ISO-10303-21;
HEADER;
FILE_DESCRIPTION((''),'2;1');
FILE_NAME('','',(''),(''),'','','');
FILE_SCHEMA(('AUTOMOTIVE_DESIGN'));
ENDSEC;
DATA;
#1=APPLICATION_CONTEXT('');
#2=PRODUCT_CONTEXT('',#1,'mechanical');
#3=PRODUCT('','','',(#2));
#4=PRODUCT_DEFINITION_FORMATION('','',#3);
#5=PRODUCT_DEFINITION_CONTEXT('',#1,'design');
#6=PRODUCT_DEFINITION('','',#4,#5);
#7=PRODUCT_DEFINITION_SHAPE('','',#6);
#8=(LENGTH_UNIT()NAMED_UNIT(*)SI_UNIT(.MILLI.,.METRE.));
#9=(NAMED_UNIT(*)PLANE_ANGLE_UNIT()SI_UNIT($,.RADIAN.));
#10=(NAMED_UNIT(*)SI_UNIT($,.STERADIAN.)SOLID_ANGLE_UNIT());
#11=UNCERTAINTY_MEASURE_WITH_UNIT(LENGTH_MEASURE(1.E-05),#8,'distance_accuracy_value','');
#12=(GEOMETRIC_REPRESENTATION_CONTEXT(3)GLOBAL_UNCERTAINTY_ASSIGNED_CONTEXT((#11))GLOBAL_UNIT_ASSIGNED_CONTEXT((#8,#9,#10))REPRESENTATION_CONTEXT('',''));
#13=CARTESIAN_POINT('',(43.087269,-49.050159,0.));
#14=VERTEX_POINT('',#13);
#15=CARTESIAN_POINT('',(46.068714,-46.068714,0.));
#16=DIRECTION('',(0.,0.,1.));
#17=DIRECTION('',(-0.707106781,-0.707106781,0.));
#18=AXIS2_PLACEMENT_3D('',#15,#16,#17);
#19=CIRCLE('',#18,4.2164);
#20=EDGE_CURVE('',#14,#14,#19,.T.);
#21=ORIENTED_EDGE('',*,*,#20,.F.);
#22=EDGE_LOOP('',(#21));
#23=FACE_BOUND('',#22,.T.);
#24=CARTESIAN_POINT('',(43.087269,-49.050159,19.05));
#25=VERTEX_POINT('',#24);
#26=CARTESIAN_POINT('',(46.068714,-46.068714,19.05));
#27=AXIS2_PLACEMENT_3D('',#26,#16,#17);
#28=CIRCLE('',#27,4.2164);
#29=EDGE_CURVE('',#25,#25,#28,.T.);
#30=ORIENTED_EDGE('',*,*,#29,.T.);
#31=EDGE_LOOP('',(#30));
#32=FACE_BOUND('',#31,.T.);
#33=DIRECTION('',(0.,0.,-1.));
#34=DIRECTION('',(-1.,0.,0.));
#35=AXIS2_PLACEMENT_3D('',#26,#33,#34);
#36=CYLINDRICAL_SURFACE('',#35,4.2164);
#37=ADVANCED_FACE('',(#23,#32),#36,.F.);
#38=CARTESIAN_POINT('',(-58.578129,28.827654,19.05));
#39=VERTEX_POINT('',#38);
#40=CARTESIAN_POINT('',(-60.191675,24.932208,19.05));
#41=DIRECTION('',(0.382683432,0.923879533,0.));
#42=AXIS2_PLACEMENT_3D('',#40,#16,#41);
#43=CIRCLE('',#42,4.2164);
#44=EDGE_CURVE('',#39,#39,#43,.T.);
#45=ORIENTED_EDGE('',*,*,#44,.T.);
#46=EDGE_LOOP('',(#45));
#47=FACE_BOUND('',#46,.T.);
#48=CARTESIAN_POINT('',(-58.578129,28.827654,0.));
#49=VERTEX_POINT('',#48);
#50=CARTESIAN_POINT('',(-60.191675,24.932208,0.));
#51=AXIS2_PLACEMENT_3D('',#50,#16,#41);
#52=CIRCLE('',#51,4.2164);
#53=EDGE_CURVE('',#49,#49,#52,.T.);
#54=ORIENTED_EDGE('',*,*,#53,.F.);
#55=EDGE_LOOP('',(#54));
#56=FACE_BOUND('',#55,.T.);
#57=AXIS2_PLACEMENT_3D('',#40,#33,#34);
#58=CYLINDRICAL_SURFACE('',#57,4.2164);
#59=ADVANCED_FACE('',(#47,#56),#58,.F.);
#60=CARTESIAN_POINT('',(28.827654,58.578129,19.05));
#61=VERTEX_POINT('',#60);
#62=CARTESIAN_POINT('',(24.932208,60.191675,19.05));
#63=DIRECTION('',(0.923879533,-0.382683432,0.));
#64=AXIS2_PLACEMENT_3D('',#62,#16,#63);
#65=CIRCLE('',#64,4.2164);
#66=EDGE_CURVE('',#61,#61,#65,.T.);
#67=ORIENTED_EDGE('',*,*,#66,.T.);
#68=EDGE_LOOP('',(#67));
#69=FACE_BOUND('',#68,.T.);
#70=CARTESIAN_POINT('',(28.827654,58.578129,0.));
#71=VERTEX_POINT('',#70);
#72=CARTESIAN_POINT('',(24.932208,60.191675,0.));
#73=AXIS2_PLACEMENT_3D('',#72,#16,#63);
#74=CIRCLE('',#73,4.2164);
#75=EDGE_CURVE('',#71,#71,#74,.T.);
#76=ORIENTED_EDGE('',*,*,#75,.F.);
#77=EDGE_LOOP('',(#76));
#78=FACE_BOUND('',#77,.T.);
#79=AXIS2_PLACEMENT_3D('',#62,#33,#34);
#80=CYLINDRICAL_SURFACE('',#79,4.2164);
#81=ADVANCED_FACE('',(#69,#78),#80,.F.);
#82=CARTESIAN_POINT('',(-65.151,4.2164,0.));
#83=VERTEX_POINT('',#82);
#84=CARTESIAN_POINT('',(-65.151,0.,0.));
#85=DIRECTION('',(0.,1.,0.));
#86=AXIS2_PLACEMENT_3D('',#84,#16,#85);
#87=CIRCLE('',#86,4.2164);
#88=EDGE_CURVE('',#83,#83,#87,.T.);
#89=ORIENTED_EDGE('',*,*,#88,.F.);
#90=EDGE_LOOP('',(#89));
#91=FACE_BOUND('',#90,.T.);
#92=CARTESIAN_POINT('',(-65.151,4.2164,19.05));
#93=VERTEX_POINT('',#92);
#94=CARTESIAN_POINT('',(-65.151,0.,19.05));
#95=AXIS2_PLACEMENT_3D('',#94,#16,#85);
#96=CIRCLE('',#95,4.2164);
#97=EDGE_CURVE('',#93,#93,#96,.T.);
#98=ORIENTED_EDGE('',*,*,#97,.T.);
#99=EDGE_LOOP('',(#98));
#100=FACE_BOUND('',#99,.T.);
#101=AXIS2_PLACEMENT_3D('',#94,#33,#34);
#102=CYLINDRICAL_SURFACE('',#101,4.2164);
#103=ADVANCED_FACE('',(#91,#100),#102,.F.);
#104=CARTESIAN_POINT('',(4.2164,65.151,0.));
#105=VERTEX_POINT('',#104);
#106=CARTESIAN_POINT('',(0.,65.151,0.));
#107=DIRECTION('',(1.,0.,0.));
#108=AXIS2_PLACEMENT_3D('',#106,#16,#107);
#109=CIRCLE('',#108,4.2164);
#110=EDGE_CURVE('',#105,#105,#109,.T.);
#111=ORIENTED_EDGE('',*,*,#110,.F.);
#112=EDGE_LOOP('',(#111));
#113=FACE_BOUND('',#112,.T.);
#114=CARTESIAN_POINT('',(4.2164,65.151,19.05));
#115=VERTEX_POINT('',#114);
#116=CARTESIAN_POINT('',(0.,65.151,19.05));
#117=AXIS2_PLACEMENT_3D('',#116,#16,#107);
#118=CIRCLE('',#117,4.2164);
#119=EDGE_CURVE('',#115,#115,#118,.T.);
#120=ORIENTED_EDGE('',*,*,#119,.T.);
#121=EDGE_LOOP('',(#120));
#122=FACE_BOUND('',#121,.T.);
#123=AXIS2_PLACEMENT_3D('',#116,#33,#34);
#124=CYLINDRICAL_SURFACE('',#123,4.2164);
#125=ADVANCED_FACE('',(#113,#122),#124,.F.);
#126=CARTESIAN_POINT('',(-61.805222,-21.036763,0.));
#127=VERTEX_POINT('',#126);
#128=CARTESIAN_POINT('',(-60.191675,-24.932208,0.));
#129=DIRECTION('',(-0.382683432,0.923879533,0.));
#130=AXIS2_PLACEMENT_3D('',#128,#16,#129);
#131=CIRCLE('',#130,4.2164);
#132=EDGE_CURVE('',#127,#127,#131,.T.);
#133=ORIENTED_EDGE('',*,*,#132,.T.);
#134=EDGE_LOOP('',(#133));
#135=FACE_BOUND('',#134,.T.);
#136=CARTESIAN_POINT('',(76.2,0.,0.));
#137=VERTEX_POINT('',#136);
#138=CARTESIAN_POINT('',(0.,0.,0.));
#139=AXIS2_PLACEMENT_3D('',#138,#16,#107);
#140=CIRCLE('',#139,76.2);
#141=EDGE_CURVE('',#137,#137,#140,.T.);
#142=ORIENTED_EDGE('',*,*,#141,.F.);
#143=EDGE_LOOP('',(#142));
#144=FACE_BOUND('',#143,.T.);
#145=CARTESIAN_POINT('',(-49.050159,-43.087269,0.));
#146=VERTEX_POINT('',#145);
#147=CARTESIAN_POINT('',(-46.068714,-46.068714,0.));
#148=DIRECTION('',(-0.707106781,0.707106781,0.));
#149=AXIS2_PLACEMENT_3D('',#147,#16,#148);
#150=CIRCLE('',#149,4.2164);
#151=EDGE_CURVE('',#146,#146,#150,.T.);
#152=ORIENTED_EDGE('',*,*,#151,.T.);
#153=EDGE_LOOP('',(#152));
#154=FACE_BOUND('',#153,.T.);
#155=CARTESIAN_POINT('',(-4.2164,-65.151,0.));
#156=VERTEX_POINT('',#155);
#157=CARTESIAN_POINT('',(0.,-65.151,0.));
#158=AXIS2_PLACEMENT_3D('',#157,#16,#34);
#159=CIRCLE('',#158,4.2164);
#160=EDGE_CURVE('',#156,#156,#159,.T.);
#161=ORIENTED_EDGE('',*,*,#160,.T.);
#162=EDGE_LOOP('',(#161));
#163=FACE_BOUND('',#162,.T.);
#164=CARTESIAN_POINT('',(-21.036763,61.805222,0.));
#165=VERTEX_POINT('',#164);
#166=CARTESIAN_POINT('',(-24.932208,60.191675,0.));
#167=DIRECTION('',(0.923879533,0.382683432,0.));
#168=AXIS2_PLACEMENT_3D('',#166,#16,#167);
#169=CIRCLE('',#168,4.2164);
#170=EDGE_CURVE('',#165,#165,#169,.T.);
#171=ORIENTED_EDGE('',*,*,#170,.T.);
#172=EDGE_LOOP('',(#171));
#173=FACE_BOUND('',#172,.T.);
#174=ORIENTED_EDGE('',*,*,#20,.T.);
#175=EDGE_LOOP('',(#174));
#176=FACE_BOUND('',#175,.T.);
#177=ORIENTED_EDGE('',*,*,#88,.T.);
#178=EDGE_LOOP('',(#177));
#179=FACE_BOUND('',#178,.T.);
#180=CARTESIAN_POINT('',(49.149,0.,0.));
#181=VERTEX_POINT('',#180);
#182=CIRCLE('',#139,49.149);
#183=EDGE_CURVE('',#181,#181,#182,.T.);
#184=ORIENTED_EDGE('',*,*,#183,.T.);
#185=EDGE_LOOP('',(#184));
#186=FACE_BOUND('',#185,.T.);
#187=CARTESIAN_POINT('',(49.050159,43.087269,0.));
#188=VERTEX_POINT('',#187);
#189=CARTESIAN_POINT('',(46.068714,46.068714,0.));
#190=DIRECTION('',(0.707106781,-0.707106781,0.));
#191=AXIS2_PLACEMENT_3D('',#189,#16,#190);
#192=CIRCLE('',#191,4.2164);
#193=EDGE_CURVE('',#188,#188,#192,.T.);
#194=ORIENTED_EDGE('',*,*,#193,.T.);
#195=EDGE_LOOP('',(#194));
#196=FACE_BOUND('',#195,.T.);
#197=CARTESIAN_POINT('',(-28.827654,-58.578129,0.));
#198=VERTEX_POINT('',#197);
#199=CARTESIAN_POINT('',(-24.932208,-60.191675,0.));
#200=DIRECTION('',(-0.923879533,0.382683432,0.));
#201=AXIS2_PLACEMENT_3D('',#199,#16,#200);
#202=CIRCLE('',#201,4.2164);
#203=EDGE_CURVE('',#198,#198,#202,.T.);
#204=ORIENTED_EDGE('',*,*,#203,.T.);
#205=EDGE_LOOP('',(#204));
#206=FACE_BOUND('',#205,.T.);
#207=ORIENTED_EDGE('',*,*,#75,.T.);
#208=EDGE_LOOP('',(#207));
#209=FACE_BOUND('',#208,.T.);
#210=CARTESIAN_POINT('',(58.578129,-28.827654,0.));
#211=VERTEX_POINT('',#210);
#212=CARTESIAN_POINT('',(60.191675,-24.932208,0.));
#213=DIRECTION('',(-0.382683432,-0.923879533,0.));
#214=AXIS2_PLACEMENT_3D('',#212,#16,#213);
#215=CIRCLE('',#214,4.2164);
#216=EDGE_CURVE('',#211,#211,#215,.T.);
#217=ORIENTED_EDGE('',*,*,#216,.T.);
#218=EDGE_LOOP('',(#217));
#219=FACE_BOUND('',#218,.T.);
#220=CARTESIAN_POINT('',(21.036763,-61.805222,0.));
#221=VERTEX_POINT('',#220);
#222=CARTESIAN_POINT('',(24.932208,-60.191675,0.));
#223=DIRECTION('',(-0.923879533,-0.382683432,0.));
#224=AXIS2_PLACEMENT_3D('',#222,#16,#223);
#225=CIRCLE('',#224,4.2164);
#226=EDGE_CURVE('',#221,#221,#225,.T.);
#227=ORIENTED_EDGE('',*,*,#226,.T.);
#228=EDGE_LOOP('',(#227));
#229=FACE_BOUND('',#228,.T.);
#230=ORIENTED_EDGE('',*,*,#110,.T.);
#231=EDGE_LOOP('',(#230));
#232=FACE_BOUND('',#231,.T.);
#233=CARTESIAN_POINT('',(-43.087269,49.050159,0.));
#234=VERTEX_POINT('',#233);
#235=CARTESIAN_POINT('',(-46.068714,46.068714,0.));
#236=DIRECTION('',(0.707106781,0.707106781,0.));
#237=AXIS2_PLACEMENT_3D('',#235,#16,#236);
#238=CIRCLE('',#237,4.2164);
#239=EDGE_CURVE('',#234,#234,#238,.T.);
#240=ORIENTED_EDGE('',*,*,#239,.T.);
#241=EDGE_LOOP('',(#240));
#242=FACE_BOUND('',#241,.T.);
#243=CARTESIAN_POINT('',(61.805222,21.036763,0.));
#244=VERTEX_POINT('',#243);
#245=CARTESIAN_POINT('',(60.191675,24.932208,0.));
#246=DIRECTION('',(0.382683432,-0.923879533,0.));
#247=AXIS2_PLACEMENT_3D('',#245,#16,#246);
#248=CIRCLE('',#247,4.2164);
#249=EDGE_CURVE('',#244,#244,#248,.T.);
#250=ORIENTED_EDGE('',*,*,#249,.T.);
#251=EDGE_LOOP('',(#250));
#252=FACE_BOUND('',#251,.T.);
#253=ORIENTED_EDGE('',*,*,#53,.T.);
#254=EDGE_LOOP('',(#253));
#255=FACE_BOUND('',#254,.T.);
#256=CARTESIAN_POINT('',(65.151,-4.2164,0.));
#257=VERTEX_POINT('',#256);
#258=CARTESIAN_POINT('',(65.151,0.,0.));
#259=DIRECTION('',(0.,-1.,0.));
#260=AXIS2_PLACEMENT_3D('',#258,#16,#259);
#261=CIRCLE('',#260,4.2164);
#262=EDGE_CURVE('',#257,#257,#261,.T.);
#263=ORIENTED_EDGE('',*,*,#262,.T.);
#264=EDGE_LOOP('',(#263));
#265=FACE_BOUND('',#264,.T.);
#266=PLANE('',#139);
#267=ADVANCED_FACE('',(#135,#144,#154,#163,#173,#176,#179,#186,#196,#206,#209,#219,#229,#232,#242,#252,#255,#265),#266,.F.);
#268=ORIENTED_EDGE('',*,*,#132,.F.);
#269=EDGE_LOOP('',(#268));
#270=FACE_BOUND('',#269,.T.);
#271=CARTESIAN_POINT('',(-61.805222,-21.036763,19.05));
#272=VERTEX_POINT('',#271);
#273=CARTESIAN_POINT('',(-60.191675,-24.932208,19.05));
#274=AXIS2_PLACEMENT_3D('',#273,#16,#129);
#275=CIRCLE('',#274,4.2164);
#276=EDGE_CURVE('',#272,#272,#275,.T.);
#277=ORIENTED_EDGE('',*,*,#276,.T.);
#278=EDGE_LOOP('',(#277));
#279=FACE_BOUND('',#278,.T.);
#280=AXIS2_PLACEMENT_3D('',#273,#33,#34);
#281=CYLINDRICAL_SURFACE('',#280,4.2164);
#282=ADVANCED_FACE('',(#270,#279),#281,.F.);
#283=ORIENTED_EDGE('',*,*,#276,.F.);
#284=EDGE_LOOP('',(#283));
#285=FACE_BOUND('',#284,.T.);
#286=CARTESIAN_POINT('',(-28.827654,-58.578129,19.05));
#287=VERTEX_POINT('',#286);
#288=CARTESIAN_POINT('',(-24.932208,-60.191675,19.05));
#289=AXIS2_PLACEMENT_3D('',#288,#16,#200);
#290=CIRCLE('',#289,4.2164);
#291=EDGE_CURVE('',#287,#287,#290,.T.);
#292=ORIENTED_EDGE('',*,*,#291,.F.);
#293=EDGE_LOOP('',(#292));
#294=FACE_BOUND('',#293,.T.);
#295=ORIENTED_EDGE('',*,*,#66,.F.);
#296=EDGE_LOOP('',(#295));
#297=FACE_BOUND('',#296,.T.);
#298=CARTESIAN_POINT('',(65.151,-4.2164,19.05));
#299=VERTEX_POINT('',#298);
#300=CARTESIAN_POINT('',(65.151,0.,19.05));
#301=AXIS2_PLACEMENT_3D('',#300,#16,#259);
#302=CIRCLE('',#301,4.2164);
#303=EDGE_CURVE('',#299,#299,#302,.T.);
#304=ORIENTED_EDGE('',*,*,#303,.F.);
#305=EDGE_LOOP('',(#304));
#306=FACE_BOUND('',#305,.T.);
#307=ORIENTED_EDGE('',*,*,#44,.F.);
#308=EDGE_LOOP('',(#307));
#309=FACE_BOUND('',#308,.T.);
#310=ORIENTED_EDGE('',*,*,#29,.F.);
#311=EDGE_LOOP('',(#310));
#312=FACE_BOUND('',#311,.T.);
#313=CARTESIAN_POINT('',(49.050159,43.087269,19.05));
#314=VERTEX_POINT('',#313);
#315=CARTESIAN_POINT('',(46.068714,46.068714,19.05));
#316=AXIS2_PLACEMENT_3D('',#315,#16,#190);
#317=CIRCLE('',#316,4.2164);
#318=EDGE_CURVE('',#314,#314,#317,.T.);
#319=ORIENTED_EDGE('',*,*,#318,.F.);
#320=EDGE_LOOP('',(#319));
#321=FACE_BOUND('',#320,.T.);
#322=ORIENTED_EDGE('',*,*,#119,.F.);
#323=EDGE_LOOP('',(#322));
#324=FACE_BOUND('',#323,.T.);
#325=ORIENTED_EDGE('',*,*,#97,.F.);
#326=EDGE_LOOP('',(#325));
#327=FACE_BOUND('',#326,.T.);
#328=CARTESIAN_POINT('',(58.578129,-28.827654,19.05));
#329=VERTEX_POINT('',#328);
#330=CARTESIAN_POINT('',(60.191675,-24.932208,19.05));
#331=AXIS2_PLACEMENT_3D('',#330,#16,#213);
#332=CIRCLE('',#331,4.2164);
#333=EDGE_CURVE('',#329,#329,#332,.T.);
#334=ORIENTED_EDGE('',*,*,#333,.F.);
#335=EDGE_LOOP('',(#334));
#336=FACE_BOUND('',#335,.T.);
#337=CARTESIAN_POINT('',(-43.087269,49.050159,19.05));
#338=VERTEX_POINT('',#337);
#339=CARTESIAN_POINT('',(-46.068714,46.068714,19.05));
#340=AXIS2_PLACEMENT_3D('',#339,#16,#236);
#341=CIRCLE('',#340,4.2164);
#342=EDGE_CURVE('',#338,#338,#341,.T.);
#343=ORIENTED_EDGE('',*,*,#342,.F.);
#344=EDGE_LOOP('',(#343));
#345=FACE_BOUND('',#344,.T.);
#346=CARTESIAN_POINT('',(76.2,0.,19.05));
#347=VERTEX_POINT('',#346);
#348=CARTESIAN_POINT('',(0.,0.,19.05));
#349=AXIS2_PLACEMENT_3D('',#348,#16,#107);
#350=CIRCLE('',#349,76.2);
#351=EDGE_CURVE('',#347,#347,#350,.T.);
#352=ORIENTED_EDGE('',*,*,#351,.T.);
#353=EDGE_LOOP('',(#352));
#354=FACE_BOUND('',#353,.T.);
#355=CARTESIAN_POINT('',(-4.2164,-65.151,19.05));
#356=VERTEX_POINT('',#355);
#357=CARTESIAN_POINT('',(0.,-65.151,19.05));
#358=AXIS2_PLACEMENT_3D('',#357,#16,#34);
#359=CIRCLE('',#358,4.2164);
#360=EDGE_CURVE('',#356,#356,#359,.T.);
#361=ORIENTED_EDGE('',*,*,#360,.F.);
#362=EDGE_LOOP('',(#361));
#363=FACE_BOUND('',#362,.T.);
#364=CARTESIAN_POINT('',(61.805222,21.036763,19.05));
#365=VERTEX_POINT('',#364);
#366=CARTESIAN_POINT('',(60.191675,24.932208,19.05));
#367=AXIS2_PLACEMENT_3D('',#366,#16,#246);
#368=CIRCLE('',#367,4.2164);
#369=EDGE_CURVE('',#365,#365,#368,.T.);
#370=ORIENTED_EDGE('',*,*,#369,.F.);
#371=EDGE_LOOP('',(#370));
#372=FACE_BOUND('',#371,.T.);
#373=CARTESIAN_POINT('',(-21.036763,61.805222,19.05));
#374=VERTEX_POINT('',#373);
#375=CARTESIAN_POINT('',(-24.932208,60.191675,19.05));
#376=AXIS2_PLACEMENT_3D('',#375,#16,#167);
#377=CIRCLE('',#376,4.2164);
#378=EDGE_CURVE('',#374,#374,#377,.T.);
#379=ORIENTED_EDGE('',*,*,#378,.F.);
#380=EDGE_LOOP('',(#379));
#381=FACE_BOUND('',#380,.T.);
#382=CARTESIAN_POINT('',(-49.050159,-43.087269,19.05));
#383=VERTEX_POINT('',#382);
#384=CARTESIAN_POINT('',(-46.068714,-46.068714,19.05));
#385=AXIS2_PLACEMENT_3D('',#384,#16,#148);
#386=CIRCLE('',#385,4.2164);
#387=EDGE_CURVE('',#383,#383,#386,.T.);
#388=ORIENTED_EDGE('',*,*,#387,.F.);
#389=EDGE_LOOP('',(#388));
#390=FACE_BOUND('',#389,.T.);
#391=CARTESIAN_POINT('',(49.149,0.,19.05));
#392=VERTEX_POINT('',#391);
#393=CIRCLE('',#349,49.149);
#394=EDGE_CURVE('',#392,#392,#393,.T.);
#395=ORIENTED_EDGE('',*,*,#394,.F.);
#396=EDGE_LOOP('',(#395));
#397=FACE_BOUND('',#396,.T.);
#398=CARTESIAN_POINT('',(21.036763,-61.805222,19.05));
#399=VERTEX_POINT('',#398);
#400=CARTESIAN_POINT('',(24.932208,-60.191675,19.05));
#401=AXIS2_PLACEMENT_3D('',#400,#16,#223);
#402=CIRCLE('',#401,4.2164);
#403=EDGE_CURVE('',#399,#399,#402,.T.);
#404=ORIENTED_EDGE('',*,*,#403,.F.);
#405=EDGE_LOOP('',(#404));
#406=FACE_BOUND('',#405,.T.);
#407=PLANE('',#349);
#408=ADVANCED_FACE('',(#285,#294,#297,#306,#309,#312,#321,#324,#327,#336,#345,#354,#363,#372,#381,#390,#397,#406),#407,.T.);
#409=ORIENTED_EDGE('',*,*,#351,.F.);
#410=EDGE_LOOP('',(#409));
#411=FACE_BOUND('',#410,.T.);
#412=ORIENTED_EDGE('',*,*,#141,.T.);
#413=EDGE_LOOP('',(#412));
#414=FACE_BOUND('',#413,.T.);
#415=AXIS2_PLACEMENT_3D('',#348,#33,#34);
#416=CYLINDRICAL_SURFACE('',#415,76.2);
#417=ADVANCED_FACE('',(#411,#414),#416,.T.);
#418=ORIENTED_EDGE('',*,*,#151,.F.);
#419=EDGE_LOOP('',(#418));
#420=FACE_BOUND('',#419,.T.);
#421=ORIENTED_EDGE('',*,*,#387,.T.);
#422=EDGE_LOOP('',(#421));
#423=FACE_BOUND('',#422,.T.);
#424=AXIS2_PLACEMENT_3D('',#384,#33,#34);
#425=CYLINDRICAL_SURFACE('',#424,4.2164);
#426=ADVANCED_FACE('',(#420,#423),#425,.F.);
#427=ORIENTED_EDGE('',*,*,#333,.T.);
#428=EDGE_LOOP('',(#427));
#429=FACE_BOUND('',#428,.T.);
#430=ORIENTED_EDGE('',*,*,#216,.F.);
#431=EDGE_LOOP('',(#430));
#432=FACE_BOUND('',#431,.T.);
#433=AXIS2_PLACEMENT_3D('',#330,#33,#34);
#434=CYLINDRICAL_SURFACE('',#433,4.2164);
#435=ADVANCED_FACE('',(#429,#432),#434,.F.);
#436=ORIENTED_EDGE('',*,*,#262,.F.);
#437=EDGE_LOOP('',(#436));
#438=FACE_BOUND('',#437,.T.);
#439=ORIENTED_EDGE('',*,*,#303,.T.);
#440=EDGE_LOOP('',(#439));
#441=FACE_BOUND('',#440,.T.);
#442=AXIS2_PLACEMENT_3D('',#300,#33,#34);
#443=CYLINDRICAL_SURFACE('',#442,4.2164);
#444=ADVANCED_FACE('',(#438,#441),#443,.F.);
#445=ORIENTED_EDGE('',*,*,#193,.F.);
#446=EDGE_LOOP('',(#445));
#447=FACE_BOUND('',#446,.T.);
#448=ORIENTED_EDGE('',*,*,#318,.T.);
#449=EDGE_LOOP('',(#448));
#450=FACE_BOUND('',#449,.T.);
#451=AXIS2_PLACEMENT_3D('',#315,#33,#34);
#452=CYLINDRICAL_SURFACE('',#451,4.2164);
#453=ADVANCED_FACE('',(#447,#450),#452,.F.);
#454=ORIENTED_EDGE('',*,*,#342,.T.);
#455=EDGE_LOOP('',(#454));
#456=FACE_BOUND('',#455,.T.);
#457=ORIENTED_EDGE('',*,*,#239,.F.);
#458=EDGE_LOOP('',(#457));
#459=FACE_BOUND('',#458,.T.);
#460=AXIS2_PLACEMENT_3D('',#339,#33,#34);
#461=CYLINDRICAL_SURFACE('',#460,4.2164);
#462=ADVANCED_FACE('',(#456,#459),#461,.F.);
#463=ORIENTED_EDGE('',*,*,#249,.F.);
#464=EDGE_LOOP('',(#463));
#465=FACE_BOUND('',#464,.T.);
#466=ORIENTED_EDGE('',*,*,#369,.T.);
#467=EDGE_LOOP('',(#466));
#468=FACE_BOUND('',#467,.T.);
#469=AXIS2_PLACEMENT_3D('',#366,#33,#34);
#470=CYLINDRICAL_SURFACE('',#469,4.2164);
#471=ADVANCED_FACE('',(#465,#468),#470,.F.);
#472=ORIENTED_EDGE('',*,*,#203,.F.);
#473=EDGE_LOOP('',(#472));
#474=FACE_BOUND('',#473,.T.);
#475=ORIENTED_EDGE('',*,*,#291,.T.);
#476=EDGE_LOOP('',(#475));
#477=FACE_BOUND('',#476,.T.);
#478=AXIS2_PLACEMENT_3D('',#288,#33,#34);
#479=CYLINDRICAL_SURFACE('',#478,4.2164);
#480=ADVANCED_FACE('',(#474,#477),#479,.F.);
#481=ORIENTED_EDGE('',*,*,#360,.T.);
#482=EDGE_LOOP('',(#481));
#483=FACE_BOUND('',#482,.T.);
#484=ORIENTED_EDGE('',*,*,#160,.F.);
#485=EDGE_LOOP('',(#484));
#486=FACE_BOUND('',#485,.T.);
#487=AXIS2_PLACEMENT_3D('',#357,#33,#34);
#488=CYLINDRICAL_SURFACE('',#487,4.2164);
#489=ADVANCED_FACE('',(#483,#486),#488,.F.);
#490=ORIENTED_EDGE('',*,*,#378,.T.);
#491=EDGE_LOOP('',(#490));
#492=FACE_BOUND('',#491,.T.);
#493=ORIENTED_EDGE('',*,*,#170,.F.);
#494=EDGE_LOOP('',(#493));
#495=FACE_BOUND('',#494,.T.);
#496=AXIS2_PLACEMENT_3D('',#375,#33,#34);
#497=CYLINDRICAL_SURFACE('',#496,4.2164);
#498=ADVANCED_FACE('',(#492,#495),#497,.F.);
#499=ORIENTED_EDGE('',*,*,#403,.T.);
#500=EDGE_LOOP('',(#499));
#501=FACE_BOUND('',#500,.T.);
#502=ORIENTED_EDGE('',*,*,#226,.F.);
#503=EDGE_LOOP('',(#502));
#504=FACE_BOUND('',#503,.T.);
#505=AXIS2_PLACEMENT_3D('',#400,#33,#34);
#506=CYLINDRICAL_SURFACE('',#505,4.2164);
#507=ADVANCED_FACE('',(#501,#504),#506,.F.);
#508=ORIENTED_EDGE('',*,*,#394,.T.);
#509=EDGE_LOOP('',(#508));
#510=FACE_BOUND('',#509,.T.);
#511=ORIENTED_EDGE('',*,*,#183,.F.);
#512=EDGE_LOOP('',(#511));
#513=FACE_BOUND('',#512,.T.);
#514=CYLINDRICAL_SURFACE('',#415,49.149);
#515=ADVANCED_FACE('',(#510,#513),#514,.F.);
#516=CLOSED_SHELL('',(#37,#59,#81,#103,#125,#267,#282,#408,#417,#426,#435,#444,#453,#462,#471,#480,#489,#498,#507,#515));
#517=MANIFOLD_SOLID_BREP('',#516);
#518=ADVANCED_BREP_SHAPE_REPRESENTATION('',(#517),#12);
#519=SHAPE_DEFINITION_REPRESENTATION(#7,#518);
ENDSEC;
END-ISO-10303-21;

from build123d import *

# Parameters (mm, degrees)
SKETCH1_R           = 76.2
SKETCH1_R_2         = 49.149
EXTRUDE_THIN1_DEPTH = 19.05
SKETCH2_R           = 4.2164
CUT_EXTRUDE3_DEPTH  = 110.433918417
CIRPATTERN1_COUNT   = 16


with BuildPart() as part:
    # Sketch1 → Extrude-Thin1 (new body)
    with BuildSketch(Plane.XY):
        Circle(SKETCH1_R)
        Circle(SKETCH1_R_2, mode=Mode.SUBTRACT)
    extrude(amount=EXTRUDE_THIN1_DEPTH)

    # Sketch2 → Cut-Extrude3 (cut, through all)
    with BuildSketch(Plane.XY):
        with Locations((0, 65.151)):
            Circle(SKETCH2_R)
    cut_extrude3 = extrude(amount=CUT_EXTRUDE3_DEPTH, mode=Mode.SUBTRACT)

    # CirPattern1: Cut-Extrude3 ×16 about axis
    cirpattern1_axis = Axis((0, 0, 78.235991327), (0, 0, -1))
    for i in range(1, CIRPATTERN1_COUNT):
        add(cut_extrude3.rotate(cirpattern1_axis, i * 360 / CIRPATTERN1_COUNT), mode=Mode.SUBTRACT)


solid = part.part
